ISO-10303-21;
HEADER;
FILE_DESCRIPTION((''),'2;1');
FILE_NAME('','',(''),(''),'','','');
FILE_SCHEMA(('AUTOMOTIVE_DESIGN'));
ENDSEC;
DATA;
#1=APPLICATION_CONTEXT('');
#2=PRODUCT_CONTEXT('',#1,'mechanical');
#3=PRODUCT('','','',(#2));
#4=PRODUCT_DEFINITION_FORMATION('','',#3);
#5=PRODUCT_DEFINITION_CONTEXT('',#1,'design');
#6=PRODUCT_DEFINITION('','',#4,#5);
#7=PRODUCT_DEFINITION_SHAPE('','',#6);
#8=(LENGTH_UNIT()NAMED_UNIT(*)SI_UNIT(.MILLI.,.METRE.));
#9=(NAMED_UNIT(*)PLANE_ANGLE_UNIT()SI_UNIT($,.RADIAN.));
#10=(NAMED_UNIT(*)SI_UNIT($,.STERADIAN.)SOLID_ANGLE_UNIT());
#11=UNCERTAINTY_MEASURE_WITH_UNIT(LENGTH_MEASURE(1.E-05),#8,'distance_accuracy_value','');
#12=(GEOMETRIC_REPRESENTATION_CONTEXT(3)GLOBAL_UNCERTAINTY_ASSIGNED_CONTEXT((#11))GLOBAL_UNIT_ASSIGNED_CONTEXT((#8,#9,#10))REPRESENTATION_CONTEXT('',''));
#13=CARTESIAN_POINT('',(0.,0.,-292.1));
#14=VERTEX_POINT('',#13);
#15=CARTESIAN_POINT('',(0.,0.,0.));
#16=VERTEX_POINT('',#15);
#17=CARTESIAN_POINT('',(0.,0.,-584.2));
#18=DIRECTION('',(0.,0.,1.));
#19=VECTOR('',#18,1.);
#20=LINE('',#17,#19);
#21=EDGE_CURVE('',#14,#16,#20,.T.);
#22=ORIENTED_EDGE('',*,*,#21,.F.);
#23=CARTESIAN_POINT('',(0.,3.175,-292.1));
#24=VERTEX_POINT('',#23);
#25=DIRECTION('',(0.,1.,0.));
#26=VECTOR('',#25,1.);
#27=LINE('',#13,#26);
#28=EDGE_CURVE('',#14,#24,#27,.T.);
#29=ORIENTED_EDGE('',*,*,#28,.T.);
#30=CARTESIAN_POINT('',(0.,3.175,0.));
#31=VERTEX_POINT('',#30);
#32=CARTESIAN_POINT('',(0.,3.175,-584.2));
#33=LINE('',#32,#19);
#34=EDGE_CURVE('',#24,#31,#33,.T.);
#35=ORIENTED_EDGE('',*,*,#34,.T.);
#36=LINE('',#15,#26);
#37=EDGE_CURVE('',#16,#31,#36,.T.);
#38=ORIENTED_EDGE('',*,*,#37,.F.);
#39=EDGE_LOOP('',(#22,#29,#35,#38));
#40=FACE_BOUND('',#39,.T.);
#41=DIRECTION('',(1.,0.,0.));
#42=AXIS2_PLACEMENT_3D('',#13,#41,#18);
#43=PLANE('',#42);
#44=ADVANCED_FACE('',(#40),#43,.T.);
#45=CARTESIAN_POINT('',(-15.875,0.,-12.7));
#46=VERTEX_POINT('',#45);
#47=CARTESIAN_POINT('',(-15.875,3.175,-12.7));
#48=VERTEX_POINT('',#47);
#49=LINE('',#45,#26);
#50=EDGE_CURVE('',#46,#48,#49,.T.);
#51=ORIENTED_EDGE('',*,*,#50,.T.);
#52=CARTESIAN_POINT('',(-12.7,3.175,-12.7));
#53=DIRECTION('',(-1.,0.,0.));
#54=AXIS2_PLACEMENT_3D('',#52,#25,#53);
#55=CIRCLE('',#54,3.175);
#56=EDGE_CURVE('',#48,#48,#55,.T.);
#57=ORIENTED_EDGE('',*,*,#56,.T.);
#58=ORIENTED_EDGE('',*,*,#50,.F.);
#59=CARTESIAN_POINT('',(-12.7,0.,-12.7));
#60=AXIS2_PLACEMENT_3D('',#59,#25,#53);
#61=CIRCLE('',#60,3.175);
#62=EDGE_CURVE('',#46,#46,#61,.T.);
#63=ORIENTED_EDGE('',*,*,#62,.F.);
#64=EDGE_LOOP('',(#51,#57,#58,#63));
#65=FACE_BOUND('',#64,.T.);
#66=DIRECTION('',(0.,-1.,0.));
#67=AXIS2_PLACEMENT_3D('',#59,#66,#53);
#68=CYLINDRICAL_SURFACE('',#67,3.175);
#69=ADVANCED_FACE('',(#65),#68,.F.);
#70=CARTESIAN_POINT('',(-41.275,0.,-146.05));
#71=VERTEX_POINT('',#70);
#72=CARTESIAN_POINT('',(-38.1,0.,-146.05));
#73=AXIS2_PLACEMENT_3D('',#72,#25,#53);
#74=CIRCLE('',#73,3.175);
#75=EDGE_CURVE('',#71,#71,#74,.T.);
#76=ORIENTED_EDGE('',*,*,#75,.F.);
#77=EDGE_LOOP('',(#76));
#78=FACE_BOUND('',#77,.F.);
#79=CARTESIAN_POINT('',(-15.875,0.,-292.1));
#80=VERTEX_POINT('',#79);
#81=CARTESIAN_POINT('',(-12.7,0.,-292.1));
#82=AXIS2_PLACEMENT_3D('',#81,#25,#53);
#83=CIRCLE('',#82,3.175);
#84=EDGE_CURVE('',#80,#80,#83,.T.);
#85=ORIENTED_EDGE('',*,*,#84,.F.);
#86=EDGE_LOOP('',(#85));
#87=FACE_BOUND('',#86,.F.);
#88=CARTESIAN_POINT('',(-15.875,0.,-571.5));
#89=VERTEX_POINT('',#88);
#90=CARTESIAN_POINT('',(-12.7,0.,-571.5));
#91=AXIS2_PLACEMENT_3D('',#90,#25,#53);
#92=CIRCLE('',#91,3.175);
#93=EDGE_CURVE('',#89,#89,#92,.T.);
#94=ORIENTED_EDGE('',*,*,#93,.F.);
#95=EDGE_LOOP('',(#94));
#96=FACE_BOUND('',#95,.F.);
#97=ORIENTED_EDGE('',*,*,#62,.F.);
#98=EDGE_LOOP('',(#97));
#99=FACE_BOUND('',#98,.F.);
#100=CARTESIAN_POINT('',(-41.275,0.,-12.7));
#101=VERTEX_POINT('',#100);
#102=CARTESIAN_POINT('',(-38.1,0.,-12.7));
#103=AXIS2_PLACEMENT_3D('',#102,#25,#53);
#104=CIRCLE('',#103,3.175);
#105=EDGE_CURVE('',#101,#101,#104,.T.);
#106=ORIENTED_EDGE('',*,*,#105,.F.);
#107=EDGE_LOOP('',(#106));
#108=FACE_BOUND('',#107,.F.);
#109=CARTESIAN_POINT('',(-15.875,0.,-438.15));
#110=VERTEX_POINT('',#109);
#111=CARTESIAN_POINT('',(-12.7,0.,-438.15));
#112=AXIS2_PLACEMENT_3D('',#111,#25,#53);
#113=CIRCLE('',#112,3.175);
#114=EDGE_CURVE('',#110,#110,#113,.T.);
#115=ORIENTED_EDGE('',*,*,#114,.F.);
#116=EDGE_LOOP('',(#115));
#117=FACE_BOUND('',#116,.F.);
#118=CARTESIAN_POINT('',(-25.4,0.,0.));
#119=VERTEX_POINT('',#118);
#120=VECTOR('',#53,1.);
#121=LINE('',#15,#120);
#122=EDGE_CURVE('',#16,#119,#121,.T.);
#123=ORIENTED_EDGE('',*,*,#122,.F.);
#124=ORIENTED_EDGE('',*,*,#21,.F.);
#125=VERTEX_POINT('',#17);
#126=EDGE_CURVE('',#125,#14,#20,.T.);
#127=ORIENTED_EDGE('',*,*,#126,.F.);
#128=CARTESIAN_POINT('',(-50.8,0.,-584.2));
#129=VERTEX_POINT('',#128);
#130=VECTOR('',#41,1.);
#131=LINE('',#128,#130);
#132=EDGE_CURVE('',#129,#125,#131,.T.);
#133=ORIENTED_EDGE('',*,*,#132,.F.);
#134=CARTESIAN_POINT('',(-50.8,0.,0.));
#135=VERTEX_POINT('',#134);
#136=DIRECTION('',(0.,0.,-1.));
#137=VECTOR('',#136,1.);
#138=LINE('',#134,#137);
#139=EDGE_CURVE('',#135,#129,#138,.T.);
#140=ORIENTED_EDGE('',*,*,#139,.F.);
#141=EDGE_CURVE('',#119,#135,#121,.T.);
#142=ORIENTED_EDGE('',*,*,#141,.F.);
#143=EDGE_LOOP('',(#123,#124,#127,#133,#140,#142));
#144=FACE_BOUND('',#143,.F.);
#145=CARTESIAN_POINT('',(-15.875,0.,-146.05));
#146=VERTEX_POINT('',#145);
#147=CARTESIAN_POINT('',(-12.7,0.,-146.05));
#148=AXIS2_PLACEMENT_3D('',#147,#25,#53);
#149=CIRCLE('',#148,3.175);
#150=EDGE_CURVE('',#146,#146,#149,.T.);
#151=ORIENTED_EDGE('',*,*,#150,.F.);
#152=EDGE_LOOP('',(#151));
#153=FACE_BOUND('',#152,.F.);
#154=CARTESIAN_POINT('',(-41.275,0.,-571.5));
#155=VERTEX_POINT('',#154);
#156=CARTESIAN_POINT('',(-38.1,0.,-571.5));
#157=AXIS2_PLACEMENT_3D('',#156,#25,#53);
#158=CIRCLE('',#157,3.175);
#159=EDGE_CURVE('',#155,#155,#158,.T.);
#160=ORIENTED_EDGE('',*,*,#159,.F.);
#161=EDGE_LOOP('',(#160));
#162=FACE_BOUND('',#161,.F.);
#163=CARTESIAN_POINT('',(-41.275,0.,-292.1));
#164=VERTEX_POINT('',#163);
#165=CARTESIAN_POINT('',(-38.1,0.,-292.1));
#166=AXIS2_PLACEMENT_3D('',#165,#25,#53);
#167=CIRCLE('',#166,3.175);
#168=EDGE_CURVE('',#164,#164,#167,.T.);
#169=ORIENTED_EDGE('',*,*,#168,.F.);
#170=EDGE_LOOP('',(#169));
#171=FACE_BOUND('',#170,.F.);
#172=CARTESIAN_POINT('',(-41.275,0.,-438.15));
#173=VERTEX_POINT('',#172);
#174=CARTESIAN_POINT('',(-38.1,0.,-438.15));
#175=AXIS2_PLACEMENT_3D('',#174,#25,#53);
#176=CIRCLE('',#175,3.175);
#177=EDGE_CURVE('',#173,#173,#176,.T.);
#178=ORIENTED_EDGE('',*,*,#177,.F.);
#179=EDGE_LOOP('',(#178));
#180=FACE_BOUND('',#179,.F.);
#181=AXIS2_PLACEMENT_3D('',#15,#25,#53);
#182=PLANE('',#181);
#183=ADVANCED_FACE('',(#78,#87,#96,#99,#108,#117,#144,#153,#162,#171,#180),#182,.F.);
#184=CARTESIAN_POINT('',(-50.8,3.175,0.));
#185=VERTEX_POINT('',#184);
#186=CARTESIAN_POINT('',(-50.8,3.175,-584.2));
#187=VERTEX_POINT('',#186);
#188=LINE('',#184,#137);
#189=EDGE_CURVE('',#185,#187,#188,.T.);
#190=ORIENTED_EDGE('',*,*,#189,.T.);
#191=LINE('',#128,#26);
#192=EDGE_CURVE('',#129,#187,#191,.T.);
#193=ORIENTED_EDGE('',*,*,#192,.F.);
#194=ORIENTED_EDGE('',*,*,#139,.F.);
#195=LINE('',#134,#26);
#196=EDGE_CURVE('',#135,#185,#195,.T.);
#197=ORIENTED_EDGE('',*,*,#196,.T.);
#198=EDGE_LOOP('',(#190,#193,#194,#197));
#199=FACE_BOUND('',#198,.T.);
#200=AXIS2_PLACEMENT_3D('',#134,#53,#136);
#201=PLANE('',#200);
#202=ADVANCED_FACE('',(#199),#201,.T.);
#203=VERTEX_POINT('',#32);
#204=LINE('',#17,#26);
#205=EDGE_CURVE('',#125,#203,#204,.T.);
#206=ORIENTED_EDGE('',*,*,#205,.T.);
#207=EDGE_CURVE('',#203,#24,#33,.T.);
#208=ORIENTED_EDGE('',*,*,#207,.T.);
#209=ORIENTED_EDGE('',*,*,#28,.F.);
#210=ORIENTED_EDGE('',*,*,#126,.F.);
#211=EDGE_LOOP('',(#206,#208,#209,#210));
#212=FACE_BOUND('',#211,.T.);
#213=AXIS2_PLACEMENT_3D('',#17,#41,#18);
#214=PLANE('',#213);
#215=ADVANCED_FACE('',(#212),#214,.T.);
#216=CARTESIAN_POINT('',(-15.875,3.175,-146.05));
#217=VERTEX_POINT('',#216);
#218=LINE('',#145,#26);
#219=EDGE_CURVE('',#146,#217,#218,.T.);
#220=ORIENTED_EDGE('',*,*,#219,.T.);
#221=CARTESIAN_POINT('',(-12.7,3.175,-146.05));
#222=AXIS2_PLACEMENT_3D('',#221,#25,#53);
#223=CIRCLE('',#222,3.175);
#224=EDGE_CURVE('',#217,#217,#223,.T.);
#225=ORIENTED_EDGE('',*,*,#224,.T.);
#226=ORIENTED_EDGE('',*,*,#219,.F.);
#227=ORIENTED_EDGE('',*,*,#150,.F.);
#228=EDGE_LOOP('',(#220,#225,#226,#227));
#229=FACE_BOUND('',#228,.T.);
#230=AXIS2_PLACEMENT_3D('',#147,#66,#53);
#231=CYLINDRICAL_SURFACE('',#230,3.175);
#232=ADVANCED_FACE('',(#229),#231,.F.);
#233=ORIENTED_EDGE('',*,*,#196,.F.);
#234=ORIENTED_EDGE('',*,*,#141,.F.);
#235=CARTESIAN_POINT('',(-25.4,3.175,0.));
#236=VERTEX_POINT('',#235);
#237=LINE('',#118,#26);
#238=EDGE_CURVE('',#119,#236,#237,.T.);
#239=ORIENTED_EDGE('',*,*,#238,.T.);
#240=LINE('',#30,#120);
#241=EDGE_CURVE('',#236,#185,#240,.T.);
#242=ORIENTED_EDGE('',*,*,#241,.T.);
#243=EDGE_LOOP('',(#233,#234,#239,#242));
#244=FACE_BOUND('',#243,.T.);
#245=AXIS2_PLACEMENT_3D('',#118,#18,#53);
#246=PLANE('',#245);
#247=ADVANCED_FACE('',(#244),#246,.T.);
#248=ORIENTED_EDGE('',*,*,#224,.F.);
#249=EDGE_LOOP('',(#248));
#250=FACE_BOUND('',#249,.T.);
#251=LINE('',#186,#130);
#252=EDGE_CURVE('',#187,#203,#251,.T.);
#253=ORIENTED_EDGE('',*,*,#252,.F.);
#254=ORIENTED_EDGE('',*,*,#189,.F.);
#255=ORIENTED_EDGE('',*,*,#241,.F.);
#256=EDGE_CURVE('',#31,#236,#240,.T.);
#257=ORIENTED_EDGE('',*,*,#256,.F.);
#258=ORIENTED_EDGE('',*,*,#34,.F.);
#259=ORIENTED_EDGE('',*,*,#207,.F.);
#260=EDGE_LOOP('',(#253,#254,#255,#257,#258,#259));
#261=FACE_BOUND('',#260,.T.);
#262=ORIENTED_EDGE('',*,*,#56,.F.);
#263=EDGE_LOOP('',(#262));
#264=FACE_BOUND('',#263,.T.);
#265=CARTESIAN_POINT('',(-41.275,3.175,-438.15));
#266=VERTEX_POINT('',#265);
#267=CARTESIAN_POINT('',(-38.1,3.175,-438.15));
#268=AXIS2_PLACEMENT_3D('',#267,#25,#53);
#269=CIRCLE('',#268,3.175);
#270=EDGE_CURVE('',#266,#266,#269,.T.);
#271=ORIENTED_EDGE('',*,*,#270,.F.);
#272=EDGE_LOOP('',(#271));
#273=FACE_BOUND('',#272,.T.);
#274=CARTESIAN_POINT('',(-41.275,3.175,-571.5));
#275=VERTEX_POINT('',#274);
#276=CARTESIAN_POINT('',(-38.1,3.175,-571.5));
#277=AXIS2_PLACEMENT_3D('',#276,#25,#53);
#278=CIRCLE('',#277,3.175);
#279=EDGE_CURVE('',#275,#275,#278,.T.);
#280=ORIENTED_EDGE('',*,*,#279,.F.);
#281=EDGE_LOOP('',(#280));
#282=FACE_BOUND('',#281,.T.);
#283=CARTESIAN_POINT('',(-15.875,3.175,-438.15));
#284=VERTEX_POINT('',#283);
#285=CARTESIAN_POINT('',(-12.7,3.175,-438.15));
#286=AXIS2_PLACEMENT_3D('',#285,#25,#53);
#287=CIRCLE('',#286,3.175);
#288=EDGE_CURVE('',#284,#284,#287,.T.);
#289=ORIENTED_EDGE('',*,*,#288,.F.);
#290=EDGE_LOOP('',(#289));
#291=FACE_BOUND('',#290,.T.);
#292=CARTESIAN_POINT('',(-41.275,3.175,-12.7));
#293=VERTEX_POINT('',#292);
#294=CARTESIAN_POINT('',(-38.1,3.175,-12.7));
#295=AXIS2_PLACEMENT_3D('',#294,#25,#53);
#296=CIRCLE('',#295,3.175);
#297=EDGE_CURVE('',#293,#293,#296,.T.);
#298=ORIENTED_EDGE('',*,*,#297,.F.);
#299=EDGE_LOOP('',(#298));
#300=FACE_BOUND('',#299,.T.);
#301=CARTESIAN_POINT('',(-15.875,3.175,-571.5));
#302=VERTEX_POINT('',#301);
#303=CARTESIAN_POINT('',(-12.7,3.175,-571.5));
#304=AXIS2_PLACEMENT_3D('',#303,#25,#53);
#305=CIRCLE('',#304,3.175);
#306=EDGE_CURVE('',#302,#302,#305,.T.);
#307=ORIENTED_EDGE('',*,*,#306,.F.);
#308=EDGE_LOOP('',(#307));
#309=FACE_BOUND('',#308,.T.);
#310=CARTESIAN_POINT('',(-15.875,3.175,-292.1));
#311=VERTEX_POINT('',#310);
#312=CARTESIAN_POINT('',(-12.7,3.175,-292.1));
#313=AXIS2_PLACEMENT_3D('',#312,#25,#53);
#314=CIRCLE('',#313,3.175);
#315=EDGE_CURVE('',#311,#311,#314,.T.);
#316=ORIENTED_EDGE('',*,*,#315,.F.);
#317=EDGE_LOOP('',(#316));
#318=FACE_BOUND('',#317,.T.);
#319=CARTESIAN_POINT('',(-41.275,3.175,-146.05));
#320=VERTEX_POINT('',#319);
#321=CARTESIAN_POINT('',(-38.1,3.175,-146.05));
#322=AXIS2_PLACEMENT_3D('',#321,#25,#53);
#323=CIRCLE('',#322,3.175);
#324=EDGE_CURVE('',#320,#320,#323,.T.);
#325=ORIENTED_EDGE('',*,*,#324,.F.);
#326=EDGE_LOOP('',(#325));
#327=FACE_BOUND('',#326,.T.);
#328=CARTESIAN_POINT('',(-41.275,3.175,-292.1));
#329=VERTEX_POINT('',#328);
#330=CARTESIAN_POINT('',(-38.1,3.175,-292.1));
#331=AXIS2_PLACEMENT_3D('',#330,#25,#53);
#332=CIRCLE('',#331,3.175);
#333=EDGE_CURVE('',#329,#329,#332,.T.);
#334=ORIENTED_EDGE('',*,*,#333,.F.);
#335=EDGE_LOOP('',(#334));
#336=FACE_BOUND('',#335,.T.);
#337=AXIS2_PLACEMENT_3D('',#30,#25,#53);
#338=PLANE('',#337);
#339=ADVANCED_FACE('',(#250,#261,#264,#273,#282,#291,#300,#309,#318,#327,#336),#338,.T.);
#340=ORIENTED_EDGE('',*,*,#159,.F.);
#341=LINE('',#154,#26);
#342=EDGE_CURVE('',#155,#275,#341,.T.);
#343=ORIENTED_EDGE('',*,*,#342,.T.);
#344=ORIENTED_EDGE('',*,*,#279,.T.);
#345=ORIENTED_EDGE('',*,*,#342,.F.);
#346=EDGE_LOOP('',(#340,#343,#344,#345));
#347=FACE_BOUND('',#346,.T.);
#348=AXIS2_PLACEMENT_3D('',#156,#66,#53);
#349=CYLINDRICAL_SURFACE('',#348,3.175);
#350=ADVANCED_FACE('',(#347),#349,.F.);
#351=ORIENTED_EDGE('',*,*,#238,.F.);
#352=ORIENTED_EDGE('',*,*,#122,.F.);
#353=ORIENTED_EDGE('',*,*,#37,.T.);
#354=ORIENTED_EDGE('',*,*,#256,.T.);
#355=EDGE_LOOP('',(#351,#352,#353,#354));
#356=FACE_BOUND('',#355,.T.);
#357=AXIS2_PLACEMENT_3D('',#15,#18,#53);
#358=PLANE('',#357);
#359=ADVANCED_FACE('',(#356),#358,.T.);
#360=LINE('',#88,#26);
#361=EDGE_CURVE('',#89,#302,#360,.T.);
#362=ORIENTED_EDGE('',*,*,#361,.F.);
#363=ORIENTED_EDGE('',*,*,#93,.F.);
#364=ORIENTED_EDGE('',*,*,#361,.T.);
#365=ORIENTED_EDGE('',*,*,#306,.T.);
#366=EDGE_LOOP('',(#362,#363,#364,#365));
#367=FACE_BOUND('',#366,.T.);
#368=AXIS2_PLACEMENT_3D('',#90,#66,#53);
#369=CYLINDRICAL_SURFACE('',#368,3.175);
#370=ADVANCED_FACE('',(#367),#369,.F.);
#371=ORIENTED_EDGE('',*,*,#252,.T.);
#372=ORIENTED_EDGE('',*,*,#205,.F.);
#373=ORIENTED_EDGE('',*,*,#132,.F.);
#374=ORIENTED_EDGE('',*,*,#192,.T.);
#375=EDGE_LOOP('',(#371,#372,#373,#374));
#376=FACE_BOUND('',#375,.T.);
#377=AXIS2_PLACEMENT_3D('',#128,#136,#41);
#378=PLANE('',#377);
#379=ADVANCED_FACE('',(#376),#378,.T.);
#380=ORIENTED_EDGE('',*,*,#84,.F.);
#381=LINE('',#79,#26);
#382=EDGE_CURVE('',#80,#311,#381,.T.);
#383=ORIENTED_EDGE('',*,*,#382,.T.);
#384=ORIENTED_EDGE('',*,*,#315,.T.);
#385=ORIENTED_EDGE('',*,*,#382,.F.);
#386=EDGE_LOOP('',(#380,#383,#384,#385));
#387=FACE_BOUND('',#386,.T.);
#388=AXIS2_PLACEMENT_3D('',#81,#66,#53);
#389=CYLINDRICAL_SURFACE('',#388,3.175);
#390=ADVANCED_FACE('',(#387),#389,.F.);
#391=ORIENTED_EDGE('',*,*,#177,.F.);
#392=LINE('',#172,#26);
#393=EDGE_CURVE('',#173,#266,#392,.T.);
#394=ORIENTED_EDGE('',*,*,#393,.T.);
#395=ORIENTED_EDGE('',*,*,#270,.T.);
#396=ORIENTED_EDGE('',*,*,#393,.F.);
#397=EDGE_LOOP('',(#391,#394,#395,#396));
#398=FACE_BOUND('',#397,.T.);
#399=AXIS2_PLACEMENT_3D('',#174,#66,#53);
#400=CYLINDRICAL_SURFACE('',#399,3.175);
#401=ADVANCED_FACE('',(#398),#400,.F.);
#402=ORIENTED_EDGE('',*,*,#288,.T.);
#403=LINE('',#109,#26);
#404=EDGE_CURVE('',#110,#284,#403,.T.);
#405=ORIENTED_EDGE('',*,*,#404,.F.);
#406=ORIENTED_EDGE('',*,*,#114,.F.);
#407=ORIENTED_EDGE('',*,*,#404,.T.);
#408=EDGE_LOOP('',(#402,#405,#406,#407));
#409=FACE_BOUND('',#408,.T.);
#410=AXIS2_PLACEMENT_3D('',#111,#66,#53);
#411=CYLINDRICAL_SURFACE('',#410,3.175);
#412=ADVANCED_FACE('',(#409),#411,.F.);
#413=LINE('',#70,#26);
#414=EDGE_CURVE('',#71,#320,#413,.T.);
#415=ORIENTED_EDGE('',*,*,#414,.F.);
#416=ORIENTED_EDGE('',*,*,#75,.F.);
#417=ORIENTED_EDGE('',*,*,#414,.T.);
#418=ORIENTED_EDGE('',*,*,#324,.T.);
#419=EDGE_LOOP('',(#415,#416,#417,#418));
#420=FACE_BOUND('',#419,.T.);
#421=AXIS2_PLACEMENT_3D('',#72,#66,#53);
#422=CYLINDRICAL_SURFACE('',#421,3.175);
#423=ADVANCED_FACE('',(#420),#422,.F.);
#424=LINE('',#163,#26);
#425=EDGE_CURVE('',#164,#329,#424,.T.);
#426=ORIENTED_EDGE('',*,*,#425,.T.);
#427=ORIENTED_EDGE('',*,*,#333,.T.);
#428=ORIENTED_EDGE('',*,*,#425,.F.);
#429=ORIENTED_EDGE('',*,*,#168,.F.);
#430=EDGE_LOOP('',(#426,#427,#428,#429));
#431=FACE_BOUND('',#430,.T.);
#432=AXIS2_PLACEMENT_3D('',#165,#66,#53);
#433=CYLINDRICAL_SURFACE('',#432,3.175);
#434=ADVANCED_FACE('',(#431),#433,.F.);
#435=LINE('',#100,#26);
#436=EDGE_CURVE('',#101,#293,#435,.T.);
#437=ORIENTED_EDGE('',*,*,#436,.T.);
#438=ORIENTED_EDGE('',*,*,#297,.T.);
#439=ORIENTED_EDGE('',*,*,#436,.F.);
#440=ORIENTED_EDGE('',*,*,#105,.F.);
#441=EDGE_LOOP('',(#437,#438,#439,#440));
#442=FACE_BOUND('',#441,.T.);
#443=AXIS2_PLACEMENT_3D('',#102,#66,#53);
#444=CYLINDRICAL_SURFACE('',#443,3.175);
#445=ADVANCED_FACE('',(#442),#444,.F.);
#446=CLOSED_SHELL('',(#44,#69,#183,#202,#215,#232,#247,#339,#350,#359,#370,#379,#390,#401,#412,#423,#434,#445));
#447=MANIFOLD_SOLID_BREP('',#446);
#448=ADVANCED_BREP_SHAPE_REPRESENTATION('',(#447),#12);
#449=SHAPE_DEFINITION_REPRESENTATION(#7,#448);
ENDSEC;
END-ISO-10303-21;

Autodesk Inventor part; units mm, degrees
ref_plane "YZ Plane" through (0, 0, 0) normal (1, 0, 0) x (0, 1, 0)
ref_plane "XZ Plane" through (0, 0, 0) normal (0, 1, 0) x (-1, 0, 0)
ref_plane "XY Plane" through (0, 0, 0) normal (0, 0, 1) x (1, 0, 0)
sketch "Sketch1" plane through (0, 0, 0) normal (0, 1, 0) x (-1, 0, 0)
  line L0 (0, 0) -> (50.8, 0)
  line L1 (50.8, 0) -> (50.8, -584.2)
  line L2 (50.8, -584.2) -> (0, -584.2)
  line L3 (0, -584.2) -> (0, 0)
  circle A0 centre (38.1, -12.7) radius 3.175
  line L4 (25.4, 0) -> (25.4, -12.7)
  circle A1 centre (38.1, -571.5) radius 3.175
  circle A2 centre (38.1, -292.1) radius 3.175
  circle A3 centre (12.7, -571.5) radius 3.175
  circle A4 centre (12.7, -292.1) radius 3.175
  circle A5 centre (12.7, -12.7) radius 3.175
  circle A6 centre (38.1, -146.05) radius 3.175
  line L5 (0, -292.1) -> (4.0649, -292.1)
  circle A7 centre (12.7, -146.05) radius 3.175
  circle A8 centre (38.1, -438.15) radius 3.175
  circle A9 centre (12.7, -438.15) radius 3.175
  dimension "d0" = 50.8
  dimension "d1" = 584.2
  dimension "d4" = 6.35
  dimension "d5" = 12.7
  dimension "d6" = 12.7
  dimension "d11" = 6.35
  dimension "d12" = 292.1
  dimension "d13" = 6.35
  dimension "d14" = 146.05
extrude "Extrusion1" add sketch "Sketch1" along normal blind 3.175
properties part number "Plate2inx47in"
